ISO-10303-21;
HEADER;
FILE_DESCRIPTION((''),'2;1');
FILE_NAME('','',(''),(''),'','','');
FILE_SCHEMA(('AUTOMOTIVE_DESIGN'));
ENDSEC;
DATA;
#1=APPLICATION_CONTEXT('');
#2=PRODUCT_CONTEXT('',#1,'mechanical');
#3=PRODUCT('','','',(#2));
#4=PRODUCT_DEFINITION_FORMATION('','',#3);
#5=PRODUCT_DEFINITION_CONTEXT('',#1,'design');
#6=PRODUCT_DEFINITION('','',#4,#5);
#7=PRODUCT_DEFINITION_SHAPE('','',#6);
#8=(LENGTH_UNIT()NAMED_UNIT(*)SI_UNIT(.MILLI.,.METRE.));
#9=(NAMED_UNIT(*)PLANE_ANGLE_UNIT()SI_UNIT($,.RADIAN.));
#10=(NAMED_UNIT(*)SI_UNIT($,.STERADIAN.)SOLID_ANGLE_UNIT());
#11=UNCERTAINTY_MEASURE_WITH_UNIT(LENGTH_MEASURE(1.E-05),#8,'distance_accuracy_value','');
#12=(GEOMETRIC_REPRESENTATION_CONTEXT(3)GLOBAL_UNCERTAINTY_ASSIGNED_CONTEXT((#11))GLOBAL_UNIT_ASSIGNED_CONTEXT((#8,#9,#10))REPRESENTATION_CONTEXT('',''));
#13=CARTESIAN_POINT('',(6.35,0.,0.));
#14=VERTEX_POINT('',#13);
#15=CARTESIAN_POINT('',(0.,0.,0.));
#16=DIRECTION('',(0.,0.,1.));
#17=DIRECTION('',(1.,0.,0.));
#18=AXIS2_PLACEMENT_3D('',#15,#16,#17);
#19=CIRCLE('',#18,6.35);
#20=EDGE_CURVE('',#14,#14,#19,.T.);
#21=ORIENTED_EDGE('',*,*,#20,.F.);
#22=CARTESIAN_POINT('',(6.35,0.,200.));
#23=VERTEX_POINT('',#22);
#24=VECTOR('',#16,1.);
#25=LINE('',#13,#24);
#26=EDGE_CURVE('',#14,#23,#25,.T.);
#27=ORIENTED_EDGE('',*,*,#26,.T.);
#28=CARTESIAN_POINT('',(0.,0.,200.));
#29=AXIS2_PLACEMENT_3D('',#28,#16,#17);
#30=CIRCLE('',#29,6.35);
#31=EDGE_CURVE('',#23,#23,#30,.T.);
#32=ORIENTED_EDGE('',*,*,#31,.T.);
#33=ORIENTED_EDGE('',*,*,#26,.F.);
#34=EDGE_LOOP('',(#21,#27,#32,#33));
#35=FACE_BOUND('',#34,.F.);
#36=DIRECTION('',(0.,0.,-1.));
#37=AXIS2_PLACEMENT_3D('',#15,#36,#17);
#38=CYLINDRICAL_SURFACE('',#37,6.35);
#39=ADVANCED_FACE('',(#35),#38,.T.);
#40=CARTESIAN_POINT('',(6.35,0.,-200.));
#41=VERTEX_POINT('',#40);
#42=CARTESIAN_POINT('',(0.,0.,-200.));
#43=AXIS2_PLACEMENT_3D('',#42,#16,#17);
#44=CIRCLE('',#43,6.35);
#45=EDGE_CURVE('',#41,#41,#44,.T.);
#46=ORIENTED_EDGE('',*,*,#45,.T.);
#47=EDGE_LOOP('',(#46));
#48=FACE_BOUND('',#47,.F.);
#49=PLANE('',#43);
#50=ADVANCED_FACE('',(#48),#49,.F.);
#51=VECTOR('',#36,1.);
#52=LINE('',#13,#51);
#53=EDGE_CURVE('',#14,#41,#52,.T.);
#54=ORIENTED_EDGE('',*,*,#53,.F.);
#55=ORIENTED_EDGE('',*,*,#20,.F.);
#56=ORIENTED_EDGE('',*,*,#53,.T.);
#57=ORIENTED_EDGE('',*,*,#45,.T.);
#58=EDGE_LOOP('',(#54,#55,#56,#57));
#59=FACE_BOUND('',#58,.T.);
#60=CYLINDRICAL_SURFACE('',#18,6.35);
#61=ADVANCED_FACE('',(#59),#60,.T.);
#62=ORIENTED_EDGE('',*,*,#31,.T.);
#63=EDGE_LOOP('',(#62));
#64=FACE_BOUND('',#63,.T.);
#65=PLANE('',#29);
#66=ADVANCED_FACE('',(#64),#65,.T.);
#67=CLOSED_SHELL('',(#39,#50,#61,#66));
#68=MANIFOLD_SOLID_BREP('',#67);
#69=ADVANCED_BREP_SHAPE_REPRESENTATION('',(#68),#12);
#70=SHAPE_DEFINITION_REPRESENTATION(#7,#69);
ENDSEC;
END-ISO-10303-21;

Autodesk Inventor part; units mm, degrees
ref_plane "YZ Plane" through (0, 0, 0) normal (1, 0, 0) x (0, 1, 0)
ref_plane "XZ Plane" through (0, 0, 0) normal (0, 1, 0) x (-1, 0, 0)
ref_plane "XY Plane" through (0, 0, 0) normal (0, 0, 1) x (1, 0, 0)
sketch "Sketch1" plane through (0, 0, 0) normal (0, 0, 1) x (1, 0, 0)
  circle A0 centre (0, 0) radius 6.35
  dimension "d0" = 12.7
extrude "Extrusion1" add sketch "Sketch1" along normal mid plane 400
properties part number "DOWEL_STOCK_TREBUCHET" material "Wood (Oak)"
